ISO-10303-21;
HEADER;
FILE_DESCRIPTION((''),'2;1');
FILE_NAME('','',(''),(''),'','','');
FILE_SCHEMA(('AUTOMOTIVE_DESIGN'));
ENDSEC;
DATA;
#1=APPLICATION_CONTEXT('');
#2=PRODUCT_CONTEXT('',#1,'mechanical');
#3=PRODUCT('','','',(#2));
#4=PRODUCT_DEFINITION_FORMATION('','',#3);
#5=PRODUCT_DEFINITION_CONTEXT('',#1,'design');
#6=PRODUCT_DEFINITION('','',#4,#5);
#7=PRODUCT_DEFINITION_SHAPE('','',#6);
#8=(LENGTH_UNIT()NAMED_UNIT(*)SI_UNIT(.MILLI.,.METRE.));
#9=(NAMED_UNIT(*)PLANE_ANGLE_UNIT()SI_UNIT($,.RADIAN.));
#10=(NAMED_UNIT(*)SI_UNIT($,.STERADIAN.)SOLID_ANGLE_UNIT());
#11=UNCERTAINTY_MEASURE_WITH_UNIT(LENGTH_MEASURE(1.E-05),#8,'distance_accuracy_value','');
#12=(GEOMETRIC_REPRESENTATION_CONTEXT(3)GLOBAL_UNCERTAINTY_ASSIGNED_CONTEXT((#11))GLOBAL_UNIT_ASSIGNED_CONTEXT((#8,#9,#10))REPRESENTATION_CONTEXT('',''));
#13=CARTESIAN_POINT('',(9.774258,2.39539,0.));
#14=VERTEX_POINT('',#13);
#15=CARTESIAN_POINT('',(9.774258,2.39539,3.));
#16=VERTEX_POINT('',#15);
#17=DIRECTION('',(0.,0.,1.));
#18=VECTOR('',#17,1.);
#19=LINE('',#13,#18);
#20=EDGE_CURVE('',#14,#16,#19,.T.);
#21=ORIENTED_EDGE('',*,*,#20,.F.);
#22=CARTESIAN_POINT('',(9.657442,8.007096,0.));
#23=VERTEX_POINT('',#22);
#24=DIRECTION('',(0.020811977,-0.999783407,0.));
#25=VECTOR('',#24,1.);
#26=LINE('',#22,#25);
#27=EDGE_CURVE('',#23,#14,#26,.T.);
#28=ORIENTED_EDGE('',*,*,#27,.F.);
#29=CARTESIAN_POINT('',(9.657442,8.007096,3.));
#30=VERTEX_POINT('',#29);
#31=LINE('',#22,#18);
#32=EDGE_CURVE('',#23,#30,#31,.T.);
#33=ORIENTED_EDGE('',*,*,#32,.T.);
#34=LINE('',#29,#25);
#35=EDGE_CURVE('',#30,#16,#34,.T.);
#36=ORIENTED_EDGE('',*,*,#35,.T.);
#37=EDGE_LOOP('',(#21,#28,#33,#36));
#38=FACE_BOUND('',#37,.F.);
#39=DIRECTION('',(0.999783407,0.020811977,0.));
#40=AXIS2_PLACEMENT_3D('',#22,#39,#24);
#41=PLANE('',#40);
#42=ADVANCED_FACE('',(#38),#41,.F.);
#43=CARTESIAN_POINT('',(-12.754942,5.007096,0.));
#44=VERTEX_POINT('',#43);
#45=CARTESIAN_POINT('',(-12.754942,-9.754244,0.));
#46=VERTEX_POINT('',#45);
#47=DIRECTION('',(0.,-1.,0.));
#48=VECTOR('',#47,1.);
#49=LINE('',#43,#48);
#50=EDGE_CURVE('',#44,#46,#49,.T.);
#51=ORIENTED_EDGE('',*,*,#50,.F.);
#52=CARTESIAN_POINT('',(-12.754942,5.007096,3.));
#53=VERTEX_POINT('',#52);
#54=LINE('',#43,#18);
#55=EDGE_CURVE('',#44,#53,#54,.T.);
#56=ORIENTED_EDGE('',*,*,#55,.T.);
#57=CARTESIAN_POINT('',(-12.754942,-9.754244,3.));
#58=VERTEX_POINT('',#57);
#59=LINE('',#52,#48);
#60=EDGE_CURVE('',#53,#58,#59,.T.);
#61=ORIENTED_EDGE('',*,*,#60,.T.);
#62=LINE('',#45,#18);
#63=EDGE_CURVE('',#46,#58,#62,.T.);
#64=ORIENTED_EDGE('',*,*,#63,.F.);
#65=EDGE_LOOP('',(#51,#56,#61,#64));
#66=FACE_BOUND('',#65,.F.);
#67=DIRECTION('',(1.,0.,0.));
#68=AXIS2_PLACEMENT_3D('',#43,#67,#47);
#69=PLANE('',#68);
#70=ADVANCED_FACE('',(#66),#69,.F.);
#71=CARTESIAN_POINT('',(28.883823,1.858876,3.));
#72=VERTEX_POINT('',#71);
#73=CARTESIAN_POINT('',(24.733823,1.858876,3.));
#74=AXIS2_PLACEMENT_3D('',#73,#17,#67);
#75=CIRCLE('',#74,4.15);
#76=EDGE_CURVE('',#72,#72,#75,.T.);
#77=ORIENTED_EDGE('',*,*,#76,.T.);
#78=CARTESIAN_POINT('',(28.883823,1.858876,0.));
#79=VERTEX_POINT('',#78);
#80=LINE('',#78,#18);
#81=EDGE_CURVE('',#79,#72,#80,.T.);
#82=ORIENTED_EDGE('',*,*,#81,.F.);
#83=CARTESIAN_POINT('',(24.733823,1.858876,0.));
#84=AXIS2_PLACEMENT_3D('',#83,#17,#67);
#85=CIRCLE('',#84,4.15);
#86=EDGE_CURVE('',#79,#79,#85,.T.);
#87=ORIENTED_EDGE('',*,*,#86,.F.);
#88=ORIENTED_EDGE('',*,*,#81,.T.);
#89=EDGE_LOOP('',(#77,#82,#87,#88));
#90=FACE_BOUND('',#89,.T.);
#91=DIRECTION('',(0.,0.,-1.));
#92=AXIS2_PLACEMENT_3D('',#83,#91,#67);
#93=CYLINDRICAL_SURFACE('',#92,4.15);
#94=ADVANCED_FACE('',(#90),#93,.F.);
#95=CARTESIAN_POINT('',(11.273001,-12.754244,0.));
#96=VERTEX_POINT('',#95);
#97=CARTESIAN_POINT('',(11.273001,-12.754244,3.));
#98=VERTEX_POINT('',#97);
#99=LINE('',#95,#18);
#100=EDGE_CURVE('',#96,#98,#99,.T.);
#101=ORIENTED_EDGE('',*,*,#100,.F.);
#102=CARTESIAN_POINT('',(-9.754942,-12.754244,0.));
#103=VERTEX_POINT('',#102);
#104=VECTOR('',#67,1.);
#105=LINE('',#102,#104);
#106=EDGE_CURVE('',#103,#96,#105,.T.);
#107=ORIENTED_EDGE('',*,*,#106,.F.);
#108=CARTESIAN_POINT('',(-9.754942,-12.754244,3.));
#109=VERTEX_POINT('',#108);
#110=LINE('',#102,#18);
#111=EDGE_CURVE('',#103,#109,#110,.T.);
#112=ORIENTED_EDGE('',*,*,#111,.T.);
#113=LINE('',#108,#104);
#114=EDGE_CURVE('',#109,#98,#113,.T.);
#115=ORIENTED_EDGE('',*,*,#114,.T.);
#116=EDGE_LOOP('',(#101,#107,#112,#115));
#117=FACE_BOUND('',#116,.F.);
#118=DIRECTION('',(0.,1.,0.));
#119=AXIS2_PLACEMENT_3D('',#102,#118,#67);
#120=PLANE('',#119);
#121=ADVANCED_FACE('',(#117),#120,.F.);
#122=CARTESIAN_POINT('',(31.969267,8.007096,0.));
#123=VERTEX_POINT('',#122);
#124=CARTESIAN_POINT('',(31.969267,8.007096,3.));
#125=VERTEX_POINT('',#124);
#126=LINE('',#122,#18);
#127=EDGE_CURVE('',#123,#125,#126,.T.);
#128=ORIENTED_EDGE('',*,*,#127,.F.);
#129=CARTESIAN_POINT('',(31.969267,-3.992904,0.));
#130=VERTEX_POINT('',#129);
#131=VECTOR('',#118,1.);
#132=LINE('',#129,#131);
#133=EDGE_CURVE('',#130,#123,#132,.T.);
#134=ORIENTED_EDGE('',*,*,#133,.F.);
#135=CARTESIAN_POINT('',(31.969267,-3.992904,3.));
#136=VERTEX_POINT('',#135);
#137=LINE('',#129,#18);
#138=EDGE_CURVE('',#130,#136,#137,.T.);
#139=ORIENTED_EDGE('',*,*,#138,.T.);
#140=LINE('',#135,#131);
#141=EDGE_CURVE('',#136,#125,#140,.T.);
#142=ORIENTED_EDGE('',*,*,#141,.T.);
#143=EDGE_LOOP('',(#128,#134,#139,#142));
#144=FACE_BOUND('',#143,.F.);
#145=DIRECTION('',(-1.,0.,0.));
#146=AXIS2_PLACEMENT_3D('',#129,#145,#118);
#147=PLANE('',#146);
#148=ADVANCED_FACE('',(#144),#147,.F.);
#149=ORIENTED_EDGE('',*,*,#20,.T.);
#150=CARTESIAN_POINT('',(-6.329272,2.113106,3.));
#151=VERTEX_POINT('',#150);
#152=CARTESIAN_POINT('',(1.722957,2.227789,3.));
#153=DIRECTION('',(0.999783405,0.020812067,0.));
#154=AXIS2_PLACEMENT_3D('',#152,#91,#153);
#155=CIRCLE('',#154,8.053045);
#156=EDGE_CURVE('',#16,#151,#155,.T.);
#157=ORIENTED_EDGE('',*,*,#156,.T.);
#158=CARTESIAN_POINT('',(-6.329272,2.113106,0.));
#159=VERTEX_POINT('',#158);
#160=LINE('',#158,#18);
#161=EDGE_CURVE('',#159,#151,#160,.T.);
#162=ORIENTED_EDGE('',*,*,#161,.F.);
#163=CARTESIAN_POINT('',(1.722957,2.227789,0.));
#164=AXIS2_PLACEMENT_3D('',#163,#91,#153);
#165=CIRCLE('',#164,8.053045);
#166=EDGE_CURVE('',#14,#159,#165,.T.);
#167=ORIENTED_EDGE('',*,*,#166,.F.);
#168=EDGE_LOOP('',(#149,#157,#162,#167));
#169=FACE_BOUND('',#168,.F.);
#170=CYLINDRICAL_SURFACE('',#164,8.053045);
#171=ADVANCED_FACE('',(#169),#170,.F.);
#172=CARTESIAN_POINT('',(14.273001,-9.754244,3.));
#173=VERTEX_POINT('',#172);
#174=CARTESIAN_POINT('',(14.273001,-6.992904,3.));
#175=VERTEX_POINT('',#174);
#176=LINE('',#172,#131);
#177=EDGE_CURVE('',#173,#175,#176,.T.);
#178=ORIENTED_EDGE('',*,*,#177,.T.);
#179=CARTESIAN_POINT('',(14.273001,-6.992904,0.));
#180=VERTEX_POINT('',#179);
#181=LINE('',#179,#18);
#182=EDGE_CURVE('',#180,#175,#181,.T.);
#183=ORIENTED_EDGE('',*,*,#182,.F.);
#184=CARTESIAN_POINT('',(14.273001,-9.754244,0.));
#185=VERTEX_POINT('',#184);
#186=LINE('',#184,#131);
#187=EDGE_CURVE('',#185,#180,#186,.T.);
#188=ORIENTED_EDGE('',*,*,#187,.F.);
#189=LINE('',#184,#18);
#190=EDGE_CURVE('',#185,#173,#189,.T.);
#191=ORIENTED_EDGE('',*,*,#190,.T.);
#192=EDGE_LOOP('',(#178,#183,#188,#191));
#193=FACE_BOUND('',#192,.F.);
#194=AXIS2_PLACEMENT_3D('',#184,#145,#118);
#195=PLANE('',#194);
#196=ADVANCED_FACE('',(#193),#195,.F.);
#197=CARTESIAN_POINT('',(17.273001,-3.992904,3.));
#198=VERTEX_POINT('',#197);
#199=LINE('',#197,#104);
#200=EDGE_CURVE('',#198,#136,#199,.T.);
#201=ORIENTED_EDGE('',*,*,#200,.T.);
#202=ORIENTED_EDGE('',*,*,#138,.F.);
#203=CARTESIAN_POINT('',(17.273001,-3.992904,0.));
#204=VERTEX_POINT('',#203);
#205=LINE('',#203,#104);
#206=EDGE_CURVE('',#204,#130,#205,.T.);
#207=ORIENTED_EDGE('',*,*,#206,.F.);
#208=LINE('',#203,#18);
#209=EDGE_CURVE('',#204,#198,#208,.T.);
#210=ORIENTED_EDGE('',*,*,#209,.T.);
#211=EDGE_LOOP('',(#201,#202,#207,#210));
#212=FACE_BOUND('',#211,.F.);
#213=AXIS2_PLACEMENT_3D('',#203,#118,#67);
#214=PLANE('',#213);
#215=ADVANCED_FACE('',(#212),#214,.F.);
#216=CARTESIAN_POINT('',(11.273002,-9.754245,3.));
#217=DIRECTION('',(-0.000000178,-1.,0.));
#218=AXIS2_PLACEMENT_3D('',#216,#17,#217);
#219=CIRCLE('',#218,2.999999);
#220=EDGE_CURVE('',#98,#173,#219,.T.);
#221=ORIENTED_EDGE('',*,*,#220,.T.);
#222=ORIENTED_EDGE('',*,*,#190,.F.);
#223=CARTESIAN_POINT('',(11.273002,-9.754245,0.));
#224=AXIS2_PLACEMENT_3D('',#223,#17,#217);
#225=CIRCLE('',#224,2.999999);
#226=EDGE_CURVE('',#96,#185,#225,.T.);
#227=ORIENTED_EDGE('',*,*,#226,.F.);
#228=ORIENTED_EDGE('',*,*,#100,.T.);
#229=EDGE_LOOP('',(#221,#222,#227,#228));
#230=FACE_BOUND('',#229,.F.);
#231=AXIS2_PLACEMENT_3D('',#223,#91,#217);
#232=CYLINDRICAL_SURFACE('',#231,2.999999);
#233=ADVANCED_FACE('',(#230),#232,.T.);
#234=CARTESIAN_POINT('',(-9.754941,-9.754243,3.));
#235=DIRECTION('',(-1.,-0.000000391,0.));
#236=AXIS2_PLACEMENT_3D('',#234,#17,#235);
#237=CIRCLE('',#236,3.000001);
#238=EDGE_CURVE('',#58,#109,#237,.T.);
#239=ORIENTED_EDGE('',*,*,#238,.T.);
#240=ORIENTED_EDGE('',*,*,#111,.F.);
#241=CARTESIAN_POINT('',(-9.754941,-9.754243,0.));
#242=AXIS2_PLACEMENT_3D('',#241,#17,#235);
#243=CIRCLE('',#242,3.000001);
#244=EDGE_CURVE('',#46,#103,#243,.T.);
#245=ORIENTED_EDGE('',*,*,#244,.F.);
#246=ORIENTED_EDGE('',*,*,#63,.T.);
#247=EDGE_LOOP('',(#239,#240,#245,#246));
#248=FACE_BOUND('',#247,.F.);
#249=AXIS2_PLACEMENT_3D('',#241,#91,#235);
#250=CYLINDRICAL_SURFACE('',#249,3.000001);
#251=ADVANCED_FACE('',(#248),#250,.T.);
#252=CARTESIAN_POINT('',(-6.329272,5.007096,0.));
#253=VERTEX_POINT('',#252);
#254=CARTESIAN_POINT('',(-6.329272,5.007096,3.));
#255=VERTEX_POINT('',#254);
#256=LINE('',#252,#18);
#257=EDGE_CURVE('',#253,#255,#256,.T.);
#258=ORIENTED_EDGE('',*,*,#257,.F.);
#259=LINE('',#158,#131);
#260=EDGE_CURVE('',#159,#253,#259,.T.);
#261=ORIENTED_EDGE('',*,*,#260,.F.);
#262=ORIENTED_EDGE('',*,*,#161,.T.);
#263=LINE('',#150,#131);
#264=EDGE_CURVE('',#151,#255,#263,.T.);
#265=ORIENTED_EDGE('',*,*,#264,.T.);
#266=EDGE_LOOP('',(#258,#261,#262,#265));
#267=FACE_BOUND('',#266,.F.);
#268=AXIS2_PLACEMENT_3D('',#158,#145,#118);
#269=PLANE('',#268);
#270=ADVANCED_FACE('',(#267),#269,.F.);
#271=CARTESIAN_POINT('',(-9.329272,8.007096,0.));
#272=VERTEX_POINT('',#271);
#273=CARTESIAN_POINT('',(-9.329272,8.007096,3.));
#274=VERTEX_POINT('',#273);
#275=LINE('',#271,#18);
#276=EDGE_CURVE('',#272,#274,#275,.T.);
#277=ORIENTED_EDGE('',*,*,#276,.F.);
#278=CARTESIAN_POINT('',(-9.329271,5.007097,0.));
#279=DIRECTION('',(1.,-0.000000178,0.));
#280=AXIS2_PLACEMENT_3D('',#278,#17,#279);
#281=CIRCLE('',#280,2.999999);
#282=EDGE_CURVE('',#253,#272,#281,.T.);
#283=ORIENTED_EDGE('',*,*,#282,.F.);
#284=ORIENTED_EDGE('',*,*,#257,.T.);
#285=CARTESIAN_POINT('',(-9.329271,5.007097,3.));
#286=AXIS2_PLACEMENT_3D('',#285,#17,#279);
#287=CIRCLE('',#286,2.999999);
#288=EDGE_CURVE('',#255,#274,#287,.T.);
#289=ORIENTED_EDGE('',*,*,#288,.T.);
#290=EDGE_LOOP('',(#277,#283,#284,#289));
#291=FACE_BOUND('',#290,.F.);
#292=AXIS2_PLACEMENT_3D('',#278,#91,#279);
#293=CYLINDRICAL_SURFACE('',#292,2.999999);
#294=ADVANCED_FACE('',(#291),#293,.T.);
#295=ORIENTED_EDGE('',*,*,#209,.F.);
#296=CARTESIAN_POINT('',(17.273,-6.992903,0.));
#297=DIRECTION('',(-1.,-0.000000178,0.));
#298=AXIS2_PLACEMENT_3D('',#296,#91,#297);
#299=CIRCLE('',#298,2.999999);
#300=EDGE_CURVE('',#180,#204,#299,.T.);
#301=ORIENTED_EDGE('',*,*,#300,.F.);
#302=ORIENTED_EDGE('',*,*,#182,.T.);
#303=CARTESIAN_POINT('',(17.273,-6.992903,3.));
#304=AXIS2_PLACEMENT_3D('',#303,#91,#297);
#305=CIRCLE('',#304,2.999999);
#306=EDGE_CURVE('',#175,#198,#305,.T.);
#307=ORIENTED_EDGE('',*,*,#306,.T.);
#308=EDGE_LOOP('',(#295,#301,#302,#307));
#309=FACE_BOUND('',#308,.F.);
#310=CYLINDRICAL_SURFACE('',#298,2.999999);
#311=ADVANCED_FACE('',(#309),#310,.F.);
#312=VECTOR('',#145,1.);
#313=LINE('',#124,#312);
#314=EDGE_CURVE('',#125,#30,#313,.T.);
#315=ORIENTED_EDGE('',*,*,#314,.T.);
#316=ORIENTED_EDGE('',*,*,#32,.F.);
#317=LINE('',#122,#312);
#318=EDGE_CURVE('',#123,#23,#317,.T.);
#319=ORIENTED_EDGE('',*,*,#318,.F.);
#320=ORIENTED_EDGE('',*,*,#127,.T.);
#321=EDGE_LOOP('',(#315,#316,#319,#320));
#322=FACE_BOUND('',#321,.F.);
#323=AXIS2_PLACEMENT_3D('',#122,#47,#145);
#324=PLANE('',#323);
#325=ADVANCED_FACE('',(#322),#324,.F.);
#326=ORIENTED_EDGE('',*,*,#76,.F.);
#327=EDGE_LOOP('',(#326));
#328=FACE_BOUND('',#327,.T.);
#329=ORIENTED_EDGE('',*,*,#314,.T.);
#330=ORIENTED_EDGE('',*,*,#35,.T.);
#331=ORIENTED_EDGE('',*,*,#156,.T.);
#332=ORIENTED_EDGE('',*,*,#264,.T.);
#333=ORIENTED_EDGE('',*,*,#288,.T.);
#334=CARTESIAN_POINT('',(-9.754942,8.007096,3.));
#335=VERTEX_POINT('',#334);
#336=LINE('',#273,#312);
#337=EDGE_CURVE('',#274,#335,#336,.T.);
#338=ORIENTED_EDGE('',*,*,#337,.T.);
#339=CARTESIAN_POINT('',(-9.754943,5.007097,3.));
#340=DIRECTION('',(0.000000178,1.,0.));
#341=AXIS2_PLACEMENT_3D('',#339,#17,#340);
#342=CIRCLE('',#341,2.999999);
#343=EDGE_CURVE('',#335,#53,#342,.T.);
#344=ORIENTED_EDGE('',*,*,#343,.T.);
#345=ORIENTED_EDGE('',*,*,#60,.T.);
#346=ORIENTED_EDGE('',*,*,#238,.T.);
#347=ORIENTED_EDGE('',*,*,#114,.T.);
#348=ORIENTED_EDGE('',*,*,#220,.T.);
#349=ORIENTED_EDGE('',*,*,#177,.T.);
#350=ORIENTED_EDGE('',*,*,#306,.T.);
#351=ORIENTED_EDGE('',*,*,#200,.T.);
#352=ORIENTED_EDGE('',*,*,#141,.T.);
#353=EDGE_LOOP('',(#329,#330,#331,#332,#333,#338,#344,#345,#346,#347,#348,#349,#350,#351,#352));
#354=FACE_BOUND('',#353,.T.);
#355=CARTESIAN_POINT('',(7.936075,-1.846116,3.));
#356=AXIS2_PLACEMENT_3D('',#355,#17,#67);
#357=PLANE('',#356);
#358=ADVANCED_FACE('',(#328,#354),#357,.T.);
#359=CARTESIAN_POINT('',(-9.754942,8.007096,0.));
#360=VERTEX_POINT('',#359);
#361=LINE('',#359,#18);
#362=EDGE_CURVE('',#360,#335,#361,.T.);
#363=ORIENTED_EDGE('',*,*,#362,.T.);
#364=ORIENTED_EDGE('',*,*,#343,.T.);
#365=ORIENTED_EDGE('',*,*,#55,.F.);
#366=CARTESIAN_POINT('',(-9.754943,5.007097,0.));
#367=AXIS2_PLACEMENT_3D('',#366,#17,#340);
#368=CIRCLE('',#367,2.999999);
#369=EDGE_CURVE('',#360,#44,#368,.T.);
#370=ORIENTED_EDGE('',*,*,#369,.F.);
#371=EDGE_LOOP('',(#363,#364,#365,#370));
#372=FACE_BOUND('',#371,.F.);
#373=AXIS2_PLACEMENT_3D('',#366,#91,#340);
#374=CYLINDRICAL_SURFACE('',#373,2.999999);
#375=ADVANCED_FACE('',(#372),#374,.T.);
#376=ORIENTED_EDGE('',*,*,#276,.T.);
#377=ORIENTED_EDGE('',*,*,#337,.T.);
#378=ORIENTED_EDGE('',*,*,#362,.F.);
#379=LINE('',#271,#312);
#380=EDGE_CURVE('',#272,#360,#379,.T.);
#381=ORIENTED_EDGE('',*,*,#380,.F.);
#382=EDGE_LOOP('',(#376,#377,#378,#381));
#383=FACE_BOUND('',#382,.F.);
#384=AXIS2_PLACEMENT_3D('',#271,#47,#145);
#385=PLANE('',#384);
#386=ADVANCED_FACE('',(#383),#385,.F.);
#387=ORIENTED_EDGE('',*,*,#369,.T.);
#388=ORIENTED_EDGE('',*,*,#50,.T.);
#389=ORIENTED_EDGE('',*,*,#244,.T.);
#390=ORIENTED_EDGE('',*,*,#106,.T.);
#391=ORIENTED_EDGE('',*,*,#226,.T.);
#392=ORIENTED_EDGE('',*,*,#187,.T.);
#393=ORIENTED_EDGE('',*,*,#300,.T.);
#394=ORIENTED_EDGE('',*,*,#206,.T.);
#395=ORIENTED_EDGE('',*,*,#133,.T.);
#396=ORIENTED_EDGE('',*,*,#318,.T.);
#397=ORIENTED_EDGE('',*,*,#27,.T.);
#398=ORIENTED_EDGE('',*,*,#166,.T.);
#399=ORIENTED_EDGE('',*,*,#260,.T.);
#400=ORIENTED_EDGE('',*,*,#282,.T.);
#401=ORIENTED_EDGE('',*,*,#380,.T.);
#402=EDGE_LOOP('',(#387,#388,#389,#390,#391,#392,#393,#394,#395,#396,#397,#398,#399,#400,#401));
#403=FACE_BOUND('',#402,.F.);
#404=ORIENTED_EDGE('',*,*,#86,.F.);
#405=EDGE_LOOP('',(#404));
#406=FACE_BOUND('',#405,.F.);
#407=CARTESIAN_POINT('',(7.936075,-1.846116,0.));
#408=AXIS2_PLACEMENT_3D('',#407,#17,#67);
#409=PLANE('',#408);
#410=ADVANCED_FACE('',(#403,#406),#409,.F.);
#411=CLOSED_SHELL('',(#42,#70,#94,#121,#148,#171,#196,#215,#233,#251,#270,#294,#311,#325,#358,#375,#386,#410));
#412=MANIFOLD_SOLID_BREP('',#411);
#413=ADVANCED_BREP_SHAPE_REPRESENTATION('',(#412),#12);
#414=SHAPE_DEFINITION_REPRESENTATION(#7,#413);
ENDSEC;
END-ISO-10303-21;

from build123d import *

# Parameters (mm, degrees)
F0_R     = 4.15
F1_DEPTH = 3


with BuildPart() as f1:
    # F0 (on Top) → F1 (new body)
    with BuildSketch(Plane.XY):
        with BuildLine():
            Line((31.969267, -3.992904), (31.969267, 8.007096))
            Line((31.969267, 8.007096), (9.657442, 8.007096))
            Line((9.657442, 8.007096), (9.774258, 2.39539))
            ThreePointArc((9.774258, 2.39539), (1.864099, -5.824019), (-6.329272, 2.113106))
            ThreePointArc((-6.329272, 2.113106), (-6.330089, 2.22779), (-6.329272, 2.342473))
            Line((-6.329272, 2.342473), (-6.329272, 5.007096))
            ThreePointArc((-6.329272, 5.007096), (-7.207952, 7.128417), (-9.329272, 8.007096))
            Line((-9.329272, 8.007096), (-9.754942, 8.007096))
            ThreePointArc((-9.754942, 8.007096), (-11.876262, 7.128417), (-12.754942, 5.007096))
            Line((-12.754942, 5.007096), (-12.754942, -9.754244))
            ThreePointArc((-12.754942, -9.754244), (-11.876262, -11.875564), (-9.754942, -12.754244))
            Line((-9.754942, -12.754244), (11.273001, -12.754244))
            ThreePointArc((11.273001, -12.754244), (13.394322, -11.875564), (14.273001, -9.754244))
            Line((14.273001, -9.754244), (14.273001, -6.992904))
            ThreePointArc((14.273001, -6.992904), (15.151681, -4.871583), (17.273001, -3.992904))
            Line((17.273001, -3.992904), (31.969267, -3.992904))
        make_face()
        with Locations((24.733823, 1.858876)):
            Circle(F0_R, mode=Mode.SUBTRACT)
        with BuildLine():
            ThreePointArc((-6.329272, 2.342473), (-6.330089, 2.22779), (-6.329272, 2.113106))
            Line((-6.329272, 2.113106), (-6.329272, 2.342473))
        make_face()
    extrude(amount=F1_DEPTH)


solid = f1.part
